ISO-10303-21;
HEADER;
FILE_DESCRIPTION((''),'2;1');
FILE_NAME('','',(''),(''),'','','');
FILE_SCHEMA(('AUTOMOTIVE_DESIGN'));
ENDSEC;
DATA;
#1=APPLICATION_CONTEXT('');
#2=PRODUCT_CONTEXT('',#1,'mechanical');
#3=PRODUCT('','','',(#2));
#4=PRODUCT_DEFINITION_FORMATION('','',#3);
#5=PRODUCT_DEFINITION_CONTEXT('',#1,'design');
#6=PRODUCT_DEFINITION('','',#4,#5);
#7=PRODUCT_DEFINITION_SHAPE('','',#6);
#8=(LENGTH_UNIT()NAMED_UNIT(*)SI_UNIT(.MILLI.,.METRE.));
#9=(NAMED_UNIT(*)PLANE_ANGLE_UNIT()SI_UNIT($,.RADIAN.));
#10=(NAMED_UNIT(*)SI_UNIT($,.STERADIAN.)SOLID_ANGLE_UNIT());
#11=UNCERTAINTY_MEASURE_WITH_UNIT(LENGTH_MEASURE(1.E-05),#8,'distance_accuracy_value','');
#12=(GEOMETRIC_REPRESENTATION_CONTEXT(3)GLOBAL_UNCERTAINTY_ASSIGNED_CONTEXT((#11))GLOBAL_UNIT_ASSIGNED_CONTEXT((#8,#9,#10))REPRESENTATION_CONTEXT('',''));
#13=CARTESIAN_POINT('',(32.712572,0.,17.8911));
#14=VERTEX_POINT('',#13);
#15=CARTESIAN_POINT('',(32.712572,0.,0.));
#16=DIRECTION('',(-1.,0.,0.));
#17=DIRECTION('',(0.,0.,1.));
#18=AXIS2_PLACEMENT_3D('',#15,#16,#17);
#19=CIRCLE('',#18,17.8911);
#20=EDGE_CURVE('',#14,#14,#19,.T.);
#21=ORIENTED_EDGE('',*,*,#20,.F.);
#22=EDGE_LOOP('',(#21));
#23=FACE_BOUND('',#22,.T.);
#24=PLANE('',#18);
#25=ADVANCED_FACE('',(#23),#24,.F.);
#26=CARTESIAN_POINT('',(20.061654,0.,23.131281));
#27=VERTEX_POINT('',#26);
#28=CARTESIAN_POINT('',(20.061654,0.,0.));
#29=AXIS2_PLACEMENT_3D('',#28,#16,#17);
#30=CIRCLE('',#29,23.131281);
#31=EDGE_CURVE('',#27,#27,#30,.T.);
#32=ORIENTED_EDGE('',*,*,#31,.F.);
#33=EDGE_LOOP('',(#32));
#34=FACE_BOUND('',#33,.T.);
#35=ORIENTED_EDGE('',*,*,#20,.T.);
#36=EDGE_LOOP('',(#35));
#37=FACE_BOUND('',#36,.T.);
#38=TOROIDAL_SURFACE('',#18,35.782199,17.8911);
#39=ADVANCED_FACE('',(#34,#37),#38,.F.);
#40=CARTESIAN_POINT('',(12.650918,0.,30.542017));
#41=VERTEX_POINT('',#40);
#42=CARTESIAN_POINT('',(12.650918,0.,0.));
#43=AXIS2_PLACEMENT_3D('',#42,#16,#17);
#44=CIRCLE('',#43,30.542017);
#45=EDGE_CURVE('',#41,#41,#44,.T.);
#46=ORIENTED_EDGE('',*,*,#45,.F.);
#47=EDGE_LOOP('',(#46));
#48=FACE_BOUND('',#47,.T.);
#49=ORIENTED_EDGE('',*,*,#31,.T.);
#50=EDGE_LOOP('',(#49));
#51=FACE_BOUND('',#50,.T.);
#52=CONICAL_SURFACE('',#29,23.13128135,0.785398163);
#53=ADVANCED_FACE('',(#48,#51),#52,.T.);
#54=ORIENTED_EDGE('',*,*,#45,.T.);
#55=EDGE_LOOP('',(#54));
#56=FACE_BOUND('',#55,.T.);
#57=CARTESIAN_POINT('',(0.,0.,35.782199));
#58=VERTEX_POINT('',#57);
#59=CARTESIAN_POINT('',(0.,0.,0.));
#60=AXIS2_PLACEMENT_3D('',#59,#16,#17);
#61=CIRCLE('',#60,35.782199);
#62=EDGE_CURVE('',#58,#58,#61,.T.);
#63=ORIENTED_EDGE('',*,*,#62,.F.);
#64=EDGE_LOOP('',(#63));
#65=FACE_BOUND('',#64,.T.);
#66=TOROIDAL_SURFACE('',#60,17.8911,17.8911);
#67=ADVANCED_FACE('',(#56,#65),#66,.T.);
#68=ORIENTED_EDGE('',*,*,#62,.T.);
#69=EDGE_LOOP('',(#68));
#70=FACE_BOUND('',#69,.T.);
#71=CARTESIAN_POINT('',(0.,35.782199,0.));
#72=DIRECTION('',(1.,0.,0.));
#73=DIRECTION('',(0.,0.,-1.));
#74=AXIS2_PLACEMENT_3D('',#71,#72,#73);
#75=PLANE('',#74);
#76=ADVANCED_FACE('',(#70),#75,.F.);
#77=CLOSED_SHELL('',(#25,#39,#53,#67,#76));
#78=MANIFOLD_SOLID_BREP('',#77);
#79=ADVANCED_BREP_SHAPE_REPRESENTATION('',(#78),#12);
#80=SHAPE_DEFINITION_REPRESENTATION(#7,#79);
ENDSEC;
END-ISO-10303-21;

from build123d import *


with BuildPart() as part:
    # Sketch1 → Revolve1 (revolve)
    with BuildSketch(Plane.XY, mode=Mode.PRIVATE) as revolve1_sk:
        with BuildLine():
            Line((0, 35.7821992), (0, 0))
            Line((0, 0), (32.7125718, 0))
            Line((32.7125718, 0), (32.7125718, 17.8910996))
            ThreePointArc((32.7125718, 17.8910996), (25.865944396, 19.252978465), (20.06165395, 23.13128135))
            Line((20.06165395, 23.13128135), (12.65091785, 30.54201745))
            ThreePointArc((12.65091785, 30.54201745), (6.846627404, 34.420320335), (0, 35.7821992))
        make_face()
    revolve(revolve1_sk.sketch.rotate(Axis((0, 0, 0), (1, 0, 0)), 90), axis=Axis((0, 0, 0), (1, 0, 0)))


solid = part.part
